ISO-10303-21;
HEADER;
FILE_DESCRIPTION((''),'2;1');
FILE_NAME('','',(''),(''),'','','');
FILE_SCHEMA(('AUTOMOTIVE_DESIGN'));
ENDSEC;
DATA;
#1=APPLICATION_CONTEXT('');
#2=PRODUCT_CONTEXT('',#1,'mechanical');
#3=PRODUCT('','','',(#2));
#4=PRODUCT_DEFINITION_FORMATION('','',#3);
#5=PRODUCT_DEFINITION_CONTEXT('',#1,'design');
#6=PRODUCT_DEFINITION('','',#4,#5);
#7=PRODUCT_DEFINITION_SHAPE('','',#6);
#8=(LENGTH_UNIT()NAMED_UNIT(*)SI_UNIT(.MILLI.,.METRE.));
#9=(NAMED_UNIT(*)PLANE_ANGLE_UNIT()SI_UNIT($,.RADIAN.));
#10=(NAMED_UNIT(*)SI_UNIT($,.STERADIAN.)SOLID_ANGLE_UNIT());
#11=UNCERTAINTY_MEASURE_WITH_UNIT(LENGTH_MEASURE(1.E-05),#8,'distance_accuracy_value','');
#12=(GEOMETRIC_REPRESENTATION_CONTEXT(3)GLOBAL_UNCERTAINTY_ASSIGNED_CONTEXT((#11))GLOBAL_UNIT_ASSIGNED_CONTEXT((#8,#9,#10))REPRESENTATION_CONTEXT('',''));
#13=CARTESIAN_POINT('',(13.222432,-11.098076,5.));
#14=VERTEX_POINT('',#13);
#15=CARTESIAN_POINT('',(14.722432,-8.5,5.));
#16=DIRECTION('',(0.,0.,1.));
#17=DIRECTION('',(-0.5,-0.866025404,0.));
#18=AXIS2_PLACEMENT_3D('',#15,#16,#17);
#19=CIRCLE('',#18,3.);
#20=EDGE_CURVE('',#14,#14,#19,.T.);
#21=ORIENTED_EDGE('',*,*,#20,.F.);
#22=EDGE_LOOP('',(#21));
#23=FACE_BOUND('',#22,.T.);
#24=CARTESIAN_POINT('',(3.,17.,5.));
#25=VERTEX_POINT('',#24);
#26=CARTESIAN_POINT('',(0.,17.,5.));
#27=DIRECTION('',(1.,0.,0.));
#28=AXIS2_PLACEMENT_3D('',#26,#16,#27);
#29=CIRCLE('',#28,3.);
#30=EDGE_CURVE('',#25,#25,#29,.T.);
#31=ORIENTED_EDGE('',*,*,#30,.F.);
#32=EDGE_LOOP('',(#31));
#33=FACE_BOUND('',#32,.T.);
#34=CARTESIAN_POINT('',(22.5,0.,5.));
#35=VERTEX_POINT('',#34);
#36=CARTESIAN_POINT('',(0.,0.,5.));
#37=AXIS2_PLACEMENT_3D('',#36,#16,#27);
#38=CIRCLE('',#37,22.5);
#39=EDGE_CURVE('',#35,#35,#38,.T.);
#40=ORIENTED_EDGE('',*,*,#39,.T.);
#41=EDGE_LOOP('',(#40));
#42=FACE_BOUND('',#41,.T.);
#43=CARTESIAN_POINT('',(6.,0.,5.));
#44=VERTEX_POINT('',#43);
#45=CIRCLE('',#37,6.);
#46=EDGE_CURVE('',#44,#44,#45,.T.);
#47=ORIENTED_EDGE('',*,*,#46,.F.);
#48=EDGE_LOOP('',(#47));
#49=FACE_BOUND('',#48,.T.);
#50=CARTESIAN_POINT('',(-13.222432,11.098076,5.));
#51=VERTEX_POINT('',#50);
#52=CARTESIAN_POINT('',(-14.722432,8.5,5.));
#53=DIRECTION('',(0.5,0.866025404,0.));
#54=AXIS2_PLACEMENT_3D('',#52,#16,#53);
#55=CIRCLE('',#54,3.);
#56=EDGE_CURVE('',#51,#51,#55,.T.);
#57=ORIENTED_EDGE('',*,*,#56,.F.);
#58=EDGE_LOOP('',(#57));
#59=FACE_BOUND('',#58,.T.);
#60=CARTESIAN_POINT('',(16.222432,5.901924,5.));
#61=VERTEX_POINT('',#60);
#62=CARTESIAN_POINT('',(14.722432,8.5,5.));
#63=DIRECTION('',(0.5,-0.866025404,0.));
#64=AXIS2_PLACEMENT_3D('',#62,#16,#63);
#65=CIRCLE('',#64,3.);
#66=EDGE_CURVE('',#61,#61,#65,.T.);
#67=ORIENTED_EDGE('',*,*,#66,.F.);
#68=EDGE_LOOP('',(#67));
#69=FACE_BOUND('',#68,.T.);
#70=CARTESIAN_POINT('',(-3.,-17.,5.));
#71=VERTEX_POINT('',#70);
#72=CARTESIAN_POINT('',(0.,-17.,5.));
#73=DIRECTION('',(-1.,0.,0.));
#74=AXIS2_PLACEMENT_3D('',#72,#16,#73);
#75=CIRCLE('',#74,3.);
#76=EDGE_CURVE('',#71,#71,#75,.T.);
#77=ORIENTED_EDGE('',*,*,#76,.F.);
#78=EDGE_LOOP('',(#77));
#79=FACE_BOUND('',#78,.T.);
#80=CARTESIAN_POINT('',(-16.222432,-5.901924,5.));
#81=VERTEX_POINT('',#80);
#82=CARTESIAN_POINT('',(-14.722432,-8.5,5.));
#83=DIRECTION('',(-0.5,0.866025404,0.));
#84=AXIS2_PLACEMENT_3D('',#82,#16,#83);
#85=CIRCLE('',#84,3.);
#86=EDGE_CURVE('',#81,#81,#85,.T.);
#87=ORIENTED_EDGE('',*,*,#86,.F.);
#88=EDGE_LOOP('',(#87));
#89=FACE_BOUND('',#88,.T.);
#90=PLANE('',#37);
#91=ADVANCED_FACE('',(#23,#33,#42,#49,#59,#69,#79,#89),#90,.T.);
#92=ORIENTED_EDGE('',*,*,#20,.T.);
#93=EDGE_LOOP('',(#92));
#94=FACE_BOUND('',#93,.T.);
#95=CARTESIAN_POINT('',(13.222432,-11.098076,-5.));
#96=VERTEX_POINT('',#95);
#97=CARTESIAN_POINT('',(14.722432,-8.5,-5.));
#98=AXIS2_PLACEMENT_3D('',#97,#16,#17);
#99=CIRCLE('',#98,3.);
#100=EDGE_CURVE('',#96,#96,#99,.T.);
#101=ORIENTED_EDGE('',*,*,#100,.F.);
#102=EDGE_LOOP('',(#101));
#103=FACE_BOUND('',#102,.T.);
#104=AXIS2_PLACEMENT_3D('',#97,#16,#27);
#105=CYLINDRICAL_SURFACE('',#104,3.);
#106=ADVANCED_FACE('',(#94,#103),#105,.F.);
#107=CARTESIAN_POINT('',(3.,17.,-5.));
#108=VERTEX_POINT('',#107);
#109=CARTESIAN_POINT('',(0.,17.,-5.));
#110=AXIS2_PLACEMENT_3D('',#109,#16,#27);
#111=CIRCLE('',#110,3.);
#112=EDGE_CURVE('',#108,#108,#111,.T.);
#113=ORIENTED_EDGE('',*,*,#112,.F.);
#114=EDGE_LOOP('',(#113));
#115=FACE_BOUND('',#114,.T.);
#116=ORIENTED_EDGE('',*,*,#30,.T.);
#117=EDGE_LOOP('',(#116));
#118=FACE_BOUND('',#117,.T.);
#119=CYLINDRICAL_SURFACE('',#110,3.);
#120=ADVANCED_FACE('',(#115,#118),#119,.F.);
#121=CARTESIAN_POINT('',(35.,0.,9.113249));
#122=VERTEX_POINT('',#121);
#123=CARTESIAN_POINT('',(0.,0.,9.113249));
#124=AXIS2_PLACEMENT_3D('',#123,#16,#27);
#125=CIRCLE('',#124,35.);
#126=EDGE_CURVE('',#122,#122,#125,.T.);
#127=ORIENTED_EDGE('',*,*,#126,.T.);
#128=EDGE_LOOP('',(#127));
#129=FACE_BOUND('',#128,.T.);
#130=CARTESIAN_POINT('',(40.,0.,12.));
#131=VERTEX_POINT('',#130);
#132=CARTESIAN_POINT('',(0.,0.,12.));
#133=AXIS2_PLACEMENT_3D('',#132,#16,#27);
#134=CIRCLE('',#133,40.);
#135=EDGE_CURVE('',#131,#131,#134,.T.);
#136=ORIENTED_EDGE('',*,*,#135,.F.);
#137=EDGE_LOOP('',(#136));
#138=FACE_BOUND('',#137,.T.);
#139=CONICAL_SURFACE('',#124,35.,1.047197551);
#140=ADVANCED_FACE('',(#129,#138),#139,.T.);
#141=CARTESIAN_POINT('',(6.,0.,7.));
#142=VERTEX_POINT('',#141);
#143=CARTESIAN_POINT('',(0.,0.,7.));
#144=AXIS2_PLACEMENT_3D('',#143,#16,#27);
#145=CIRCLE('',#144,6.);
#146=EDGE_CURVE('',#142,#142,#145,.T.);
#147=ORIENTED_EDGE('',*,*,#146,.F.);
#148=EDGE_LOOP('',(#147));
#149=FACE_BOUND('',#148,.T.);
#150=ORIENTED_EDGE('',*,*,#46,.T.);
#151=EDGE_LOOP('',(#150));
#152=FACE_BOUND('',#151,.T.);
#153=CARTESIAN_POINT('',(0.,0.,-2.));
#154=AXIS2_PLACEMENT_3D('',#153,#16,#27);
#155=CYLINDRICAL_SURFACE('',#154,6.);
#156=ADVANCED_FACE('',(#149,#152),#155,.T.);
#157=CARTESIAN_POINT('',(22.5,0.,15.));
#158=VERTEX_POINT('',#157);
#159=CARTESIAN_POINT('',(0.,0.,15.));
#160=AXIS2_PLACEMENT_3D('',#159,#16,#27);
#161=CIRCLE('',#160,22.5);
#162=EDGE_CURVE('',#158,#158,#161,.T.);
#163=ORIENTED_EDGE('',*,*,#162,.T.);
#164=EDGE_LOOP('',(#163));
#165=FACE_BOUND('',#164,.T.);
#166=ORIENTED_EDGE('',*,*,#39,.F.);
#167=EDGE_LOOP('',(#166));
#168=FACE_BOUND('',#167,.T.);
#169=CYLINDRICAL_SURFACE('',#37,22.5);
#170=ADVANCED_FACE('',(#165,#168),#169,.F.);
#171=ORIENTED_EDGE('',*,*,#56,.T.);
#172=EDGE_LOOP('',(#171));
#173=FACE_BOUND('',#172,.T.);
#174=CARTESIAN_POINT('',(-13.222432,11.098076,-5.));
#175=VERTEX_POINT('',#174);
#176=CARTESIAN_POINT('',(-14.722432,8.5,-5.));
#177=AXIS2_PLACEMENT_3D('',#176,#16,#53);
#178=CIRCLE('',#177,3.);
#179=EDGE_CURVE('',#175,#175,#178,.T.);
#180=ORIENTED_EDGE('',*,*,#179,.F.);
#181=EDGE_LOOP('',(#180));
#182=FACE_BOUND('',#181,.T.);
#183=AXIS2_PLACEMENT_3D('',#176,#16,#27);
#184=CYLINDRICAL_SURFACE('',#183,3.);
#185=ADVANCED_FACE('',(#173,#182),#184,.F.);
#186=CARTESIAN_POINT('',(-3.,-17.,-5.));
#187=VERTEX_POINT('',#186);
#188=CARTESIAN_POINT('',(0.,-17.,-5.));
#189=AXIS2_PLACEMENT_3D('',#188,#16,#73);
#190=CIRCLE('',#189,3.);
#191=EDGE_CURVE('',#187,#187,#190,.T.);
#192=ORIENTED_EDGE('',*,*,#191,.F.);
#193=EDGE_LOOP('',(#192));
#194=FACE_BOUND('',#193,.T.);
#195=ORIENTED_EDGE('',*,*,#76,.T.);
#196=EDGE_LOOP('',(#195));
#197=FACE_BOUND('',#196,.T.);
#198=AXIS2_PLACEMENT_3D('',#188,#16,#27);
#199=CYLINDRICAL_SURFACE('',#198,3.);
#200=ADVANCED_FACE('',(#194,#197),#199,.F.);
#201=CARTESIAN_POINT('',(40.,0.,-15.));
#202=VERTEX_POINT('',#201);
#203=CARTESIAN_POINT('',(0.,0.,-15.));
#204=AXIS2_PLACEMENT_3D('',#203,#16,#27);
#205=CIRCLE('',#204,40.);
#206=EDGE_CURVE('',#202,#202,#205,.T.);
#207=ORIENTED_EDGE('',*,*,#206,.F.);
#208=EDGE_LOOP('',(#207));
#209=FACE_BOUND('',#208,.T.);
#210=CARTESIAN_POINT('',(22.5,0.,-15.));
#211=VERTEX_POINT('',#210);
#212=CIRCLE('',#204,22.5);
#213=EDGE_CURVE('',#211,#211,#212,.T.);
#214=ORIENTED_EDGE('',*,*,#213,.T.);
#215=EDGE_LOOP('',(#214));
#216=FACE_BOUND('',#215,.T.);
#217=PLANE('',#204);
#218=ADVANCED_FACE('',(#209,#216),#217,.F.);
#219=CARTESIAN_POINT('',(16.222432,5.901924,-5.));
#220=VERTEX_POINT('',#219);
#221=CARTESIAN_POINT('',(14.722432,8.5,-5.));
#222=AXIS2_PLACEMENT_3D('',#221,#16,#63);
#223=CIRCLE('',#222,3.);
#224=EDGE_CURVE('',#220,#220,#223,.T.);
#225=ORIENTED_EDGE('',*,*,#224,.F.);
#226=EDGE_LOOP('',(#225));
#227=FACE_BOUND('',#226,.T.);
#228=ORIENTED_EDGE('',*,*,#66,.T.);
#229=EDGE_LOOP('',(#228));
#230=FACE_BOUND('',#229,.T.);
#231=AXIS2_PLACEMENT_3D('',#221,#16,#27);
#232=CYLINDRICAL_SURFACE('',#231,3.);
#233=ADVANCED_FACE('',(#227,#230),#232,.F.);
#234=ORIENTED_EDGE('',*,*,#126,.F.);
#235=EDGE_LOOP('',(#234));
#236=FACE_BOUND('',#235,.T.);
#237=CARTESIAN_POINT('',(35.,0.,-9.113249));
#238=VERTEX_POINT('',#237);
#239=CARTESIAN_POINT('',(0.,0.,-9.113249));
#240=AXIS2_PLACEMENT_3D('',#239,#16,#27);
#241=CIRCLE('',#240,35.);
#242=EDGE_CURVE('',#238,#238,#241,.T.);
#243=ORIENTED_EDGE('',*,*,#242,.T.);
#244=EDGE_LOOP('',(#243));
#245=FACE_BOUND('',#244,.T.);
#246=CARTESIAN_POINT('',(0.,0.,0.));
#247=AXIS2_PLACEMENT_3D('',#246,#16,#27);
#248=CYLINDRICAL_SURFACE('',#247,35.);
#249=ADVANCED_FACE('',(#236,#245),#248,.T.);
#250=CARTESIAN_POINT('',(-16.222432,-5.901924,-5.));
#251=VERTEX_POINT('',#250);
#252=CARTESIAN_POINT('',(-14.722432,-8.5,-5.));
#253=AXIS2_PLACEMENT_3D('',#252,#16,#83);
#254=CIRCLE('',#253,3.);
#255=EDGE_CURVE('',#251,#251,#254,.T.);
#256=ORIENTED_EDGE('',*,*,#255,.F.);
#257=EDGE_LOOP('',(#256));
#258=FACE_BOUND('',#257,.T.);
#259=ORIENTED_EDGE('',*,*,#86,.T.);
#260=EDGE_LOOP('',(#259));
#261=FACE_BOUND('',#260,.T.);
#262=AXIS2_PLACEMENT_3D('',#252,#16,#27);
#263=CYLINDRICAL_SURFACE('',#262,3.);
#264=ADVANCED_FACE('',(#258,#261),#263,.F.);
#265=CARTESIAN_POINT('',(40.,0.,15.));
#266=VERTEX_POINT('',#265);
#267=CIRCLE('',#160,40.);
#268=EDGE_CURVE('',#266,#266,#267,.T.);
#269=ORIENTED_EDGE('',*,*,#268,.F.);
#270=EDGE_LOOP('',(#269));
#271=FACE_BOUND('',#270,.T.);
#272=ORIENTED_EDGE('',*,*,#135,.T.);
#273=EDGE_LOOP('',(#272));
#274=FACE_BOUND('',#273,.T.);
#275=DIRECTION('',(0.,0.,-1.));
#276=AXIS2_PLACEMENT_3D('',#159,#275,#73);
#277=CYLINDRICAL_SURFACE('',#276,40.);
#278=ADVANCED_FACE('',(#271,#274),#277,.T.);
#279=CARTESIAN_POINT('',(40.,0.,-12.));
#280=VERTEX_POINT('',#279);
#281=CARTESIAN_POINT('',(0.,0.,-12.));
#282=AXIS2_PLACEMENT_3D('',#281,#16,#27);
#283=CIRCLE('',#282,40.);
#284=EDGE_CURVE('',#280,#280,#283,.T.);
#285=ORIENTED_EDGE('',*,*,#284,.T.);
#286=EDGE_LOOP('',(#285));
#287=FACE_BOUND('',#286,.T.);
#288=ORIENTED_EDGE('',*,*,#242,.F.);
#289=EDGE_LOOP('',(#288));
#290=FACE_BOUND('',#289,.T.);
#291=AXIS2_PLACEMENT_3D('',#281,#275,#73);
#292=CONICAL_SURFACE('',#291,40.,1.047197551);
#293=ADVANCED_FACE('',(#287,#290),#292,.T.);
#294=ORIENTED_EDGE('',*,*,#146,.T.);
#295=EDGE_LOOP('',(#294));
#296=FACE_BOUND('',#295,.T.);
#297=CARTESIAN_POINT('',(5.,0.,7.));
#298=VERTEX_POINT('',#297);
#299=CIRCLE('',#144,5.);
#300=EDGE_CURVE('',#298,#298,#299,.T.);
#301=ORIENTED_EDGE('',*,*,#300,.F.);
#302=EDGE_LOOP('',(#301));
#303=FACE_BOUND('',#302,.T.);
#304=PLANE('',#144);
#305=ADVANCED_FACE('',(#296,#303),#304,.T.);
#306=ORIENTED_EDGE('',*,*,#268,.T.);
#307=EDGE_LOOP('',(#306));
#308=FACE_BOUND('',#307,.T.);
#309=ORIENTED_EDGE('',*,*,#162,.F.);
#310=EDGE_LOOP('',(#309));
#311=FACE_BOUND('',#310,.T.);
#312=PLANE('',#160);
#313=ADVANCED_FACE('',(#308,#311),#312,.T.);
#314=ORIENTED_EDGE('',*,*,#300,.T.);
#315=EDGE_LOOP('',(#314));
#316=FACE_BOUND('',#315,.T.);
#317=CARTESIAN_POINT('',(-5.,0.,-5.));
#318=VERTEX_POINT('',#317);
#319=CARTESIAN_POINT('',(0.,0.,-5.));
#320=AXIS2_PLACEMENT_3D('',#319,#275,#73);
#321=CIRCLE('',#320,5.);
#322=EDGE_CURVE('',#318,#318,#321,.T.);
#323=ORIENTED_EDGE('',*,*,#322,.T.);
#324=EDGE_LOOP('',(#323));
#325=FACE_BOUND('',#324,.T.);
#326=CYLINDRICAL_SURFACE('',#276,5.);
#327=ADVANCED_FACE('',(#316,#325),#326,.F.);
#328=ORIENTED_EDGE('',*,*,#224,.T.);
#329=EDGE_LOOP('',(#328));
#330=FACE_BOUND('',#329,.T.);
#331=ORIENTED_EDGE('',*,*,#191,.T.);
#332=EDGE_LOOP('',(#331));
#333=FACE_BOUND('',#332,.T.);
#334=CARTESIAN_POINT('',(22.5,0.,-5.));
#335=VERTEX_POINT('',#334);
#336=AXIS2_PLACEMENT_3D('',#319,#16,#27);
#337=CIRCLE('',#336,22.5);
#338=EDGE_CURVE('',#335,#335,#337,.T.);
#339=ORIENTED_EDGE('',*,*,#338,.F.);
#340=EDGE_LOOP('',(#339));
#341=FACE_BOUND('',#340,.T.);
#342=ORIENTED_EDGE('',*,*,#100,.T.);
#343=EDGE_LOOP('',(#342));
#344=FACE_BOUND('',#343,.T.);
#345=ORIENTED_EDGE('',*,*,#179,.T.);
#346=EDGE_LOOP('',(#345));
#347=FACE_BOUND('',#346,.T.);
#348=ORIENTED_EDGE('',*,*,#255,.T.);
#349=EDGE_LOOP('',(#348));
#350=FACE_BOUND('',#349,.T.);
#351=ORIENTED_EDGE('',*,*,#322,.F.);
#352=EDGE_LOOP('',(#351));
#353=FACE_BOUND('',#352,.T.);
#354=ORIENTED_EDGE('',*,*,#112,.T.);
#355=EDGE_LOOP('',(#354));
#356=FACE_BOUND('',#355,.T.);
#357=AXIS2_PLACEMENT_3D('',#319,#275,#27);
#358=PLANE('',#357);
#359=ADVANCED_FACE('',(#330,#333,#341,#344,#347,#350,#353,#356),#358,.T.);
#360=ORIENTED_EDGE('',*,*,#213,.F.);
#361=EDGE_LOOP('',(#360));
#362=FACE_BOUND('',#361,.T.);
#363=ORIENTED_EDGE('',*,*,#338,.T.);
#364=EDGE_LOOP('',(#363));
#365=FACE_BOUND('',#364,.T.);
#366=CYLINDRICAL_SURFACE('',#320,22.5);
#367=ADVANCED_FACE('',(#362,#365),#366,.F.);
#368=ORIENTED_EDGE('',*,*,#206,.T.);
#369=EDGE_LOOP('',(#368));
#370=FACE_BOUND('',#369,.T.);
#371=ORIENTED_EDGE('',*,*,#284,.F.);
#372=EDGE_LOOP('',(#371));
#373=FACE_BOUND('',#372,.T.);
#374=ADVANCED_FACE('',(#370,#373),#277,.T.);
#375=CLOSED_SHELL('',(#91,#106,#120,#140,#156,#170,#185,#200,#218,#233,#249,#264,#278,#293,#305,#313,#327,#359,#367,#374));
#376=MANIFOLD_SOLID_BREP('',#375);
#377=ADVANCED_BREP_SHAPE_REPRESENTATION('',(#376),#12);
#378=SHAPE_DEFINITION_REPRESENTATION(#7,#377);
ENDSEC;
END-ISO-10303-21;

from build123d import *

# Parameters (mm, degrees)
SKETCH1_R                = 40
SKETCH1_R_2              = 5
BOSS_EXTRUDE1_DEPTH      = 15
SKETCH2_R                = 22.5
CUT_EXTRUDE2_DEPTH       = 10
SKETCH3_R                = 3
CUT_EXTRUDE8_DEPTH       = 10
CIRPATTERN1_COUNT        = 6
BOSS_EXTRUDE3_DEPTH      = 2
BOSS_EXTRUDE3_DEPTH_BACK = 7
SKETCH4_R                = 6
SKETCH4_R_2              = 5


with BuildPart() as part:
    # Sketch1 → Boss-Extrude1 (new, symmetric)
    with BuildSketch(Plane.XY):
        Circle(SKETCH1_R)
        Circle(SKETCH1_R_2, mode=Mode.SUBTRACT)
    extrude(amount=BOSS_EXTRUDE1_DEPTH, both=True)

    # Sketch2 → Cut-Extrude2 (cut)
    with BuildSketch(Plane.XY.offset(15)):
        Circle(SKETCH2_R)
    cut_extrude2 = extrude(amount=-CUT_EXTRUDE2_DEPTH, mode=Mode.SUBTRACT)

    # Mirror2: Cut-Extrude2 across plane
    add(cut_extrude2.mirror(Plane.XY), mode=Mode.SUBTRACT)

    # Sketch3 → Cut-Extrude8 (cut)
    with BuildSketch(Plane.XY.offset(5)):
        with Locations((0, 17)):
            Circle(SKETCH3_R)
    cut_extrude8 = extrude(amount=-CUT_EXTRUDE8_DEPTH, mode=Mode.SUBTRACT)

    # CirPattern1: Cut-Extrude8 ×6 about axis
    cirpattern1_axis = Axis((0, 0, 0), (0, 0, 1))
    for i in range(1, CIRPATTERN1_COUNT):
        add(cut_extrude8.rotate(cirpattern1_axis, i * 360 / CIRPATTERN1_COUNT), mode=Mode.SUBTRACT)

    # Sketch4 → Boss-Extrude3 (add, two sides: drawn at the far end of the back side and taken through both)
    with BuildSketch(Plane.XY.offset(5).offset(-BOSS_EXTRUDE3_DEPTH_BACK)):
        Circle(SKETCH4_R)
        with Locations(Location((0, 0, 0), (0, 0, 180))):
            Circle(SKETCH4_R_2, mode=Mode.SUBTRACT)
    extrude(amount=BOSS_EXTRUDE3_DEPTH + BOSS_EXTRUDE3_DEPTH_BACK)

    # Sketch5 → Cut-Revolve2 (revolve, cut)
    with BuildSketch(Plane(origin=(0, 0, 0), x_dir=(1, 0, 0), z_dir=(0, 1, 0))):
        Polygon((40, 12), (35, 9.113248654), (35, -9.113248654), (40, -12), align=None)
    revolve(axis=Axis((0, 0, 0), (0, 0, -1)), mode=Mode.SUBTRACT)


solid = part.part
